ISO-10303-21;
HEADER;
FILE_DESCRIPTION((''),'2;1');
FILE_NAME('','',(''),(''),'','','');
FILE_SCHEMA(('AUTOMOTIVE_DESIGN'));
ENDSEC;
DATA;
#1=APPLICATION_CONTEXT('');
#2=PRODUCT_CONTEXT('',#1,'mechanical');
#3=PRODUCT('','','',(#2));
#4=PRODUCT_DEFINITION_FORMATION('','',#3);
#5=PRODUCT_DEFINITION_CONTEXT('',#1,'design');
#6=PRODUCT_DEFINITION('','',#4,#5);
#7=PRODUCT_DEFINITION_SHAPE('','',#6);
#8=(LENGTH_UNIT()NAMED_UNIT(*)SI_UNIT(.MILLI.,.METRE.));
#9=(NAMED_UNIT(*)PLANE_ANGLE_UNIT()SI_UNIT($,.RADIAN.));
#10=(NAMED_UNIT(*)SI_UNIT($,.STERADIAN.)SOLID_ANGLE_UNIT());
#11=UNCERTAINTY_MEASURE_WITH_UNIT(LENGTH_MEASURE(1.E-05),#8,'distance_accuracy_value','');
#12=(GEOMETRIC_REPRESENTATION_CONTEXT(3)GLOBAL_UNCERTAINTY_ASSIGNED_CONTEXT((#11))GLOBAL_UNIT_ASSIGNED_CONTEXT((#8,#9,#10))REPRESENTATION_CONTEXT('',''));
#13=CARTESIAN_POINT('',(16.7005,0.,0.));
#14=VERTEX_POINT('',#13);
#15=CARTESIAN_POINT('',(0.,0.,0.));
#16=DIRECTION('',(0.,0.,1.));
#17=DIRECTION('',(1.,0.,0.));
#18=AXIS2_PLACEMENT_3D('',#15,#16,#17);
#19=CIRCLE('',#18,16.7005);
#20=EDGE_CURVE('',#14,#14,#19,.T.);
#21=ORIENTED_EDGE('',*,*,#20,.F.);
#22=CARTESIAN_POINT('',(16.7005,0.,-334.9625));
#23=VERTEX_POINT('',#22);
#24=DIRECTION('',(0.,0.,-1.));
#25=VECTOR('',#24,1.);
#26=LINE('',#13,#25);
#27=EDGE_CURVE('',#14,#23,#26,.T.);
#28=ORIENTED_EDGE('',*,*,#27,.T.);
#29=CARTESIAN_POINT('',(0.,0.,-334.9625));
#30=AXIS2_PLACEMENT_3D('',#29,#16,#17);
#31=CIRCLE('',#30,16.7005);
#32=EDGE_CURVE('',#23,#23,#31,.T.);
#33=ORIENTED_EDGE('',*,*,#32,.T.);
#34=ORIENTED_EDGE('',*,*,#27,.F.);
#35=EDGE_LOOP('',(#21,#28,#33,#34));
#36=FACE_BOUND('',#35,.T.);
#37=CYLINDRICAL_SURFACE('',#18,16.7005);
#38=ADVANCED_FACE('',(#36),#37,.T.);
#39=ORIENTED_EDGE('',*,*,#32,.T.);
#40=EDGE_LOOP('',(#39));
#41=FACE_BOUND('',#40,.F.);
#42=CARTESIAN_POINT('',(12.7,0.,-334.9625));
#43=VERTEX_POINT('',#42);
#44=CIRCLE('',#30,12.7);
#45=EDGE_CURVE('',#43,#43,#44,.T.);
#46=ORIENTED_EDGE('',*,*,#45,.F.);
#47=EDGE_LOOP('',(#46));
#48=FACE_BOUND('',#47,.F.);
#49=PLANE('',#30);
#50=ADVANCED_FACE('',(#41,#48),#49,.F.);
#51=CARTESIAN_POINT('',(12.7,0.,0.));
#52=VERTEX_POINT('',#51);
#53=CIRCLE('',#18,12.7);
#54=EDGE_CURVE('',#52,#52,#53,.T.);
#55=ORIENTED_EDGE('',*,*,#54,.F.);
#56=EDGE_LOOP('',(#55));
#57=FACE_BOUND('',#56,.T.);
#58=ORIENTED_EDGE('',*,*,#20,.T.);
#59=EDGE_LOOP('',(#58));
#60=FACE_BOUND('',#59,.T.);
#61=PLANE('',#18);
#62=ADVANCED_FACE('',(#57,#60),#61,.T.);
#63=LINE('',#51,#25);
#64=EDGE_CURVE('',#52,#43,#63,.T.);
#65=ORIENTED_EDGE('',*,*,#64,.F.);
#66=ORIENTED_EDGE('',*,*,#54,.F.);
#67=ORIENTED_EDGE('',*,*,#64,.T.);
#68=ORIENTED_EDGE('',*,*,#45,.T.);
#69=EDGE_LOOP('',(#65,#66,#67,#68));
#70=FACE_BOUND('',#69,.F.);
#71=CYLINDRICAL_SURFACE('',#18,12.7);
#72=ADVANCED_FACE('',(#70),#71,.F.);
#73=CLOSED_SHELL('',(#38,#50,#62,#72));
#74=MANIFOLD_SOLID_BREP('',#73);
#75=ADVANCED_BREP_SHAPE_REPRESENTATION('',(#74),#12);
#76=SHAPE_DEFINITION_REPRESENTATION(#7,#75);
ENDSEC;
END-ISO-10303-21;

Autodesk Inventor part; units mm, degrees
ref_plane "YZ Plane" through (0, 0, 0) normal (1, 0, 0) x (0, 1, 0)
ref_plane "XZ Plane" through (0, 0, 0) normal (0, 1, 0) x (-1, 0, 0)
ref_plane "XY Plane" through (0, 0, 0) normal (0, 0, 1) x (1, 0, 0)
sketch "Sketch1" plane through (0, 0, 0) normal (0, 0, 1) x (1, 0, 0)
  circle A0 centre (0, 0) radius 16.7005
  circle A1 centre (0, 0) radius 12.7
  dimension "d0" = 33.401
  dimension "d1" = 25.4
extrude "Extrusion1" add sketch "Sketch1" against normal blind 334.9625
properties part number "Pipe 3"
